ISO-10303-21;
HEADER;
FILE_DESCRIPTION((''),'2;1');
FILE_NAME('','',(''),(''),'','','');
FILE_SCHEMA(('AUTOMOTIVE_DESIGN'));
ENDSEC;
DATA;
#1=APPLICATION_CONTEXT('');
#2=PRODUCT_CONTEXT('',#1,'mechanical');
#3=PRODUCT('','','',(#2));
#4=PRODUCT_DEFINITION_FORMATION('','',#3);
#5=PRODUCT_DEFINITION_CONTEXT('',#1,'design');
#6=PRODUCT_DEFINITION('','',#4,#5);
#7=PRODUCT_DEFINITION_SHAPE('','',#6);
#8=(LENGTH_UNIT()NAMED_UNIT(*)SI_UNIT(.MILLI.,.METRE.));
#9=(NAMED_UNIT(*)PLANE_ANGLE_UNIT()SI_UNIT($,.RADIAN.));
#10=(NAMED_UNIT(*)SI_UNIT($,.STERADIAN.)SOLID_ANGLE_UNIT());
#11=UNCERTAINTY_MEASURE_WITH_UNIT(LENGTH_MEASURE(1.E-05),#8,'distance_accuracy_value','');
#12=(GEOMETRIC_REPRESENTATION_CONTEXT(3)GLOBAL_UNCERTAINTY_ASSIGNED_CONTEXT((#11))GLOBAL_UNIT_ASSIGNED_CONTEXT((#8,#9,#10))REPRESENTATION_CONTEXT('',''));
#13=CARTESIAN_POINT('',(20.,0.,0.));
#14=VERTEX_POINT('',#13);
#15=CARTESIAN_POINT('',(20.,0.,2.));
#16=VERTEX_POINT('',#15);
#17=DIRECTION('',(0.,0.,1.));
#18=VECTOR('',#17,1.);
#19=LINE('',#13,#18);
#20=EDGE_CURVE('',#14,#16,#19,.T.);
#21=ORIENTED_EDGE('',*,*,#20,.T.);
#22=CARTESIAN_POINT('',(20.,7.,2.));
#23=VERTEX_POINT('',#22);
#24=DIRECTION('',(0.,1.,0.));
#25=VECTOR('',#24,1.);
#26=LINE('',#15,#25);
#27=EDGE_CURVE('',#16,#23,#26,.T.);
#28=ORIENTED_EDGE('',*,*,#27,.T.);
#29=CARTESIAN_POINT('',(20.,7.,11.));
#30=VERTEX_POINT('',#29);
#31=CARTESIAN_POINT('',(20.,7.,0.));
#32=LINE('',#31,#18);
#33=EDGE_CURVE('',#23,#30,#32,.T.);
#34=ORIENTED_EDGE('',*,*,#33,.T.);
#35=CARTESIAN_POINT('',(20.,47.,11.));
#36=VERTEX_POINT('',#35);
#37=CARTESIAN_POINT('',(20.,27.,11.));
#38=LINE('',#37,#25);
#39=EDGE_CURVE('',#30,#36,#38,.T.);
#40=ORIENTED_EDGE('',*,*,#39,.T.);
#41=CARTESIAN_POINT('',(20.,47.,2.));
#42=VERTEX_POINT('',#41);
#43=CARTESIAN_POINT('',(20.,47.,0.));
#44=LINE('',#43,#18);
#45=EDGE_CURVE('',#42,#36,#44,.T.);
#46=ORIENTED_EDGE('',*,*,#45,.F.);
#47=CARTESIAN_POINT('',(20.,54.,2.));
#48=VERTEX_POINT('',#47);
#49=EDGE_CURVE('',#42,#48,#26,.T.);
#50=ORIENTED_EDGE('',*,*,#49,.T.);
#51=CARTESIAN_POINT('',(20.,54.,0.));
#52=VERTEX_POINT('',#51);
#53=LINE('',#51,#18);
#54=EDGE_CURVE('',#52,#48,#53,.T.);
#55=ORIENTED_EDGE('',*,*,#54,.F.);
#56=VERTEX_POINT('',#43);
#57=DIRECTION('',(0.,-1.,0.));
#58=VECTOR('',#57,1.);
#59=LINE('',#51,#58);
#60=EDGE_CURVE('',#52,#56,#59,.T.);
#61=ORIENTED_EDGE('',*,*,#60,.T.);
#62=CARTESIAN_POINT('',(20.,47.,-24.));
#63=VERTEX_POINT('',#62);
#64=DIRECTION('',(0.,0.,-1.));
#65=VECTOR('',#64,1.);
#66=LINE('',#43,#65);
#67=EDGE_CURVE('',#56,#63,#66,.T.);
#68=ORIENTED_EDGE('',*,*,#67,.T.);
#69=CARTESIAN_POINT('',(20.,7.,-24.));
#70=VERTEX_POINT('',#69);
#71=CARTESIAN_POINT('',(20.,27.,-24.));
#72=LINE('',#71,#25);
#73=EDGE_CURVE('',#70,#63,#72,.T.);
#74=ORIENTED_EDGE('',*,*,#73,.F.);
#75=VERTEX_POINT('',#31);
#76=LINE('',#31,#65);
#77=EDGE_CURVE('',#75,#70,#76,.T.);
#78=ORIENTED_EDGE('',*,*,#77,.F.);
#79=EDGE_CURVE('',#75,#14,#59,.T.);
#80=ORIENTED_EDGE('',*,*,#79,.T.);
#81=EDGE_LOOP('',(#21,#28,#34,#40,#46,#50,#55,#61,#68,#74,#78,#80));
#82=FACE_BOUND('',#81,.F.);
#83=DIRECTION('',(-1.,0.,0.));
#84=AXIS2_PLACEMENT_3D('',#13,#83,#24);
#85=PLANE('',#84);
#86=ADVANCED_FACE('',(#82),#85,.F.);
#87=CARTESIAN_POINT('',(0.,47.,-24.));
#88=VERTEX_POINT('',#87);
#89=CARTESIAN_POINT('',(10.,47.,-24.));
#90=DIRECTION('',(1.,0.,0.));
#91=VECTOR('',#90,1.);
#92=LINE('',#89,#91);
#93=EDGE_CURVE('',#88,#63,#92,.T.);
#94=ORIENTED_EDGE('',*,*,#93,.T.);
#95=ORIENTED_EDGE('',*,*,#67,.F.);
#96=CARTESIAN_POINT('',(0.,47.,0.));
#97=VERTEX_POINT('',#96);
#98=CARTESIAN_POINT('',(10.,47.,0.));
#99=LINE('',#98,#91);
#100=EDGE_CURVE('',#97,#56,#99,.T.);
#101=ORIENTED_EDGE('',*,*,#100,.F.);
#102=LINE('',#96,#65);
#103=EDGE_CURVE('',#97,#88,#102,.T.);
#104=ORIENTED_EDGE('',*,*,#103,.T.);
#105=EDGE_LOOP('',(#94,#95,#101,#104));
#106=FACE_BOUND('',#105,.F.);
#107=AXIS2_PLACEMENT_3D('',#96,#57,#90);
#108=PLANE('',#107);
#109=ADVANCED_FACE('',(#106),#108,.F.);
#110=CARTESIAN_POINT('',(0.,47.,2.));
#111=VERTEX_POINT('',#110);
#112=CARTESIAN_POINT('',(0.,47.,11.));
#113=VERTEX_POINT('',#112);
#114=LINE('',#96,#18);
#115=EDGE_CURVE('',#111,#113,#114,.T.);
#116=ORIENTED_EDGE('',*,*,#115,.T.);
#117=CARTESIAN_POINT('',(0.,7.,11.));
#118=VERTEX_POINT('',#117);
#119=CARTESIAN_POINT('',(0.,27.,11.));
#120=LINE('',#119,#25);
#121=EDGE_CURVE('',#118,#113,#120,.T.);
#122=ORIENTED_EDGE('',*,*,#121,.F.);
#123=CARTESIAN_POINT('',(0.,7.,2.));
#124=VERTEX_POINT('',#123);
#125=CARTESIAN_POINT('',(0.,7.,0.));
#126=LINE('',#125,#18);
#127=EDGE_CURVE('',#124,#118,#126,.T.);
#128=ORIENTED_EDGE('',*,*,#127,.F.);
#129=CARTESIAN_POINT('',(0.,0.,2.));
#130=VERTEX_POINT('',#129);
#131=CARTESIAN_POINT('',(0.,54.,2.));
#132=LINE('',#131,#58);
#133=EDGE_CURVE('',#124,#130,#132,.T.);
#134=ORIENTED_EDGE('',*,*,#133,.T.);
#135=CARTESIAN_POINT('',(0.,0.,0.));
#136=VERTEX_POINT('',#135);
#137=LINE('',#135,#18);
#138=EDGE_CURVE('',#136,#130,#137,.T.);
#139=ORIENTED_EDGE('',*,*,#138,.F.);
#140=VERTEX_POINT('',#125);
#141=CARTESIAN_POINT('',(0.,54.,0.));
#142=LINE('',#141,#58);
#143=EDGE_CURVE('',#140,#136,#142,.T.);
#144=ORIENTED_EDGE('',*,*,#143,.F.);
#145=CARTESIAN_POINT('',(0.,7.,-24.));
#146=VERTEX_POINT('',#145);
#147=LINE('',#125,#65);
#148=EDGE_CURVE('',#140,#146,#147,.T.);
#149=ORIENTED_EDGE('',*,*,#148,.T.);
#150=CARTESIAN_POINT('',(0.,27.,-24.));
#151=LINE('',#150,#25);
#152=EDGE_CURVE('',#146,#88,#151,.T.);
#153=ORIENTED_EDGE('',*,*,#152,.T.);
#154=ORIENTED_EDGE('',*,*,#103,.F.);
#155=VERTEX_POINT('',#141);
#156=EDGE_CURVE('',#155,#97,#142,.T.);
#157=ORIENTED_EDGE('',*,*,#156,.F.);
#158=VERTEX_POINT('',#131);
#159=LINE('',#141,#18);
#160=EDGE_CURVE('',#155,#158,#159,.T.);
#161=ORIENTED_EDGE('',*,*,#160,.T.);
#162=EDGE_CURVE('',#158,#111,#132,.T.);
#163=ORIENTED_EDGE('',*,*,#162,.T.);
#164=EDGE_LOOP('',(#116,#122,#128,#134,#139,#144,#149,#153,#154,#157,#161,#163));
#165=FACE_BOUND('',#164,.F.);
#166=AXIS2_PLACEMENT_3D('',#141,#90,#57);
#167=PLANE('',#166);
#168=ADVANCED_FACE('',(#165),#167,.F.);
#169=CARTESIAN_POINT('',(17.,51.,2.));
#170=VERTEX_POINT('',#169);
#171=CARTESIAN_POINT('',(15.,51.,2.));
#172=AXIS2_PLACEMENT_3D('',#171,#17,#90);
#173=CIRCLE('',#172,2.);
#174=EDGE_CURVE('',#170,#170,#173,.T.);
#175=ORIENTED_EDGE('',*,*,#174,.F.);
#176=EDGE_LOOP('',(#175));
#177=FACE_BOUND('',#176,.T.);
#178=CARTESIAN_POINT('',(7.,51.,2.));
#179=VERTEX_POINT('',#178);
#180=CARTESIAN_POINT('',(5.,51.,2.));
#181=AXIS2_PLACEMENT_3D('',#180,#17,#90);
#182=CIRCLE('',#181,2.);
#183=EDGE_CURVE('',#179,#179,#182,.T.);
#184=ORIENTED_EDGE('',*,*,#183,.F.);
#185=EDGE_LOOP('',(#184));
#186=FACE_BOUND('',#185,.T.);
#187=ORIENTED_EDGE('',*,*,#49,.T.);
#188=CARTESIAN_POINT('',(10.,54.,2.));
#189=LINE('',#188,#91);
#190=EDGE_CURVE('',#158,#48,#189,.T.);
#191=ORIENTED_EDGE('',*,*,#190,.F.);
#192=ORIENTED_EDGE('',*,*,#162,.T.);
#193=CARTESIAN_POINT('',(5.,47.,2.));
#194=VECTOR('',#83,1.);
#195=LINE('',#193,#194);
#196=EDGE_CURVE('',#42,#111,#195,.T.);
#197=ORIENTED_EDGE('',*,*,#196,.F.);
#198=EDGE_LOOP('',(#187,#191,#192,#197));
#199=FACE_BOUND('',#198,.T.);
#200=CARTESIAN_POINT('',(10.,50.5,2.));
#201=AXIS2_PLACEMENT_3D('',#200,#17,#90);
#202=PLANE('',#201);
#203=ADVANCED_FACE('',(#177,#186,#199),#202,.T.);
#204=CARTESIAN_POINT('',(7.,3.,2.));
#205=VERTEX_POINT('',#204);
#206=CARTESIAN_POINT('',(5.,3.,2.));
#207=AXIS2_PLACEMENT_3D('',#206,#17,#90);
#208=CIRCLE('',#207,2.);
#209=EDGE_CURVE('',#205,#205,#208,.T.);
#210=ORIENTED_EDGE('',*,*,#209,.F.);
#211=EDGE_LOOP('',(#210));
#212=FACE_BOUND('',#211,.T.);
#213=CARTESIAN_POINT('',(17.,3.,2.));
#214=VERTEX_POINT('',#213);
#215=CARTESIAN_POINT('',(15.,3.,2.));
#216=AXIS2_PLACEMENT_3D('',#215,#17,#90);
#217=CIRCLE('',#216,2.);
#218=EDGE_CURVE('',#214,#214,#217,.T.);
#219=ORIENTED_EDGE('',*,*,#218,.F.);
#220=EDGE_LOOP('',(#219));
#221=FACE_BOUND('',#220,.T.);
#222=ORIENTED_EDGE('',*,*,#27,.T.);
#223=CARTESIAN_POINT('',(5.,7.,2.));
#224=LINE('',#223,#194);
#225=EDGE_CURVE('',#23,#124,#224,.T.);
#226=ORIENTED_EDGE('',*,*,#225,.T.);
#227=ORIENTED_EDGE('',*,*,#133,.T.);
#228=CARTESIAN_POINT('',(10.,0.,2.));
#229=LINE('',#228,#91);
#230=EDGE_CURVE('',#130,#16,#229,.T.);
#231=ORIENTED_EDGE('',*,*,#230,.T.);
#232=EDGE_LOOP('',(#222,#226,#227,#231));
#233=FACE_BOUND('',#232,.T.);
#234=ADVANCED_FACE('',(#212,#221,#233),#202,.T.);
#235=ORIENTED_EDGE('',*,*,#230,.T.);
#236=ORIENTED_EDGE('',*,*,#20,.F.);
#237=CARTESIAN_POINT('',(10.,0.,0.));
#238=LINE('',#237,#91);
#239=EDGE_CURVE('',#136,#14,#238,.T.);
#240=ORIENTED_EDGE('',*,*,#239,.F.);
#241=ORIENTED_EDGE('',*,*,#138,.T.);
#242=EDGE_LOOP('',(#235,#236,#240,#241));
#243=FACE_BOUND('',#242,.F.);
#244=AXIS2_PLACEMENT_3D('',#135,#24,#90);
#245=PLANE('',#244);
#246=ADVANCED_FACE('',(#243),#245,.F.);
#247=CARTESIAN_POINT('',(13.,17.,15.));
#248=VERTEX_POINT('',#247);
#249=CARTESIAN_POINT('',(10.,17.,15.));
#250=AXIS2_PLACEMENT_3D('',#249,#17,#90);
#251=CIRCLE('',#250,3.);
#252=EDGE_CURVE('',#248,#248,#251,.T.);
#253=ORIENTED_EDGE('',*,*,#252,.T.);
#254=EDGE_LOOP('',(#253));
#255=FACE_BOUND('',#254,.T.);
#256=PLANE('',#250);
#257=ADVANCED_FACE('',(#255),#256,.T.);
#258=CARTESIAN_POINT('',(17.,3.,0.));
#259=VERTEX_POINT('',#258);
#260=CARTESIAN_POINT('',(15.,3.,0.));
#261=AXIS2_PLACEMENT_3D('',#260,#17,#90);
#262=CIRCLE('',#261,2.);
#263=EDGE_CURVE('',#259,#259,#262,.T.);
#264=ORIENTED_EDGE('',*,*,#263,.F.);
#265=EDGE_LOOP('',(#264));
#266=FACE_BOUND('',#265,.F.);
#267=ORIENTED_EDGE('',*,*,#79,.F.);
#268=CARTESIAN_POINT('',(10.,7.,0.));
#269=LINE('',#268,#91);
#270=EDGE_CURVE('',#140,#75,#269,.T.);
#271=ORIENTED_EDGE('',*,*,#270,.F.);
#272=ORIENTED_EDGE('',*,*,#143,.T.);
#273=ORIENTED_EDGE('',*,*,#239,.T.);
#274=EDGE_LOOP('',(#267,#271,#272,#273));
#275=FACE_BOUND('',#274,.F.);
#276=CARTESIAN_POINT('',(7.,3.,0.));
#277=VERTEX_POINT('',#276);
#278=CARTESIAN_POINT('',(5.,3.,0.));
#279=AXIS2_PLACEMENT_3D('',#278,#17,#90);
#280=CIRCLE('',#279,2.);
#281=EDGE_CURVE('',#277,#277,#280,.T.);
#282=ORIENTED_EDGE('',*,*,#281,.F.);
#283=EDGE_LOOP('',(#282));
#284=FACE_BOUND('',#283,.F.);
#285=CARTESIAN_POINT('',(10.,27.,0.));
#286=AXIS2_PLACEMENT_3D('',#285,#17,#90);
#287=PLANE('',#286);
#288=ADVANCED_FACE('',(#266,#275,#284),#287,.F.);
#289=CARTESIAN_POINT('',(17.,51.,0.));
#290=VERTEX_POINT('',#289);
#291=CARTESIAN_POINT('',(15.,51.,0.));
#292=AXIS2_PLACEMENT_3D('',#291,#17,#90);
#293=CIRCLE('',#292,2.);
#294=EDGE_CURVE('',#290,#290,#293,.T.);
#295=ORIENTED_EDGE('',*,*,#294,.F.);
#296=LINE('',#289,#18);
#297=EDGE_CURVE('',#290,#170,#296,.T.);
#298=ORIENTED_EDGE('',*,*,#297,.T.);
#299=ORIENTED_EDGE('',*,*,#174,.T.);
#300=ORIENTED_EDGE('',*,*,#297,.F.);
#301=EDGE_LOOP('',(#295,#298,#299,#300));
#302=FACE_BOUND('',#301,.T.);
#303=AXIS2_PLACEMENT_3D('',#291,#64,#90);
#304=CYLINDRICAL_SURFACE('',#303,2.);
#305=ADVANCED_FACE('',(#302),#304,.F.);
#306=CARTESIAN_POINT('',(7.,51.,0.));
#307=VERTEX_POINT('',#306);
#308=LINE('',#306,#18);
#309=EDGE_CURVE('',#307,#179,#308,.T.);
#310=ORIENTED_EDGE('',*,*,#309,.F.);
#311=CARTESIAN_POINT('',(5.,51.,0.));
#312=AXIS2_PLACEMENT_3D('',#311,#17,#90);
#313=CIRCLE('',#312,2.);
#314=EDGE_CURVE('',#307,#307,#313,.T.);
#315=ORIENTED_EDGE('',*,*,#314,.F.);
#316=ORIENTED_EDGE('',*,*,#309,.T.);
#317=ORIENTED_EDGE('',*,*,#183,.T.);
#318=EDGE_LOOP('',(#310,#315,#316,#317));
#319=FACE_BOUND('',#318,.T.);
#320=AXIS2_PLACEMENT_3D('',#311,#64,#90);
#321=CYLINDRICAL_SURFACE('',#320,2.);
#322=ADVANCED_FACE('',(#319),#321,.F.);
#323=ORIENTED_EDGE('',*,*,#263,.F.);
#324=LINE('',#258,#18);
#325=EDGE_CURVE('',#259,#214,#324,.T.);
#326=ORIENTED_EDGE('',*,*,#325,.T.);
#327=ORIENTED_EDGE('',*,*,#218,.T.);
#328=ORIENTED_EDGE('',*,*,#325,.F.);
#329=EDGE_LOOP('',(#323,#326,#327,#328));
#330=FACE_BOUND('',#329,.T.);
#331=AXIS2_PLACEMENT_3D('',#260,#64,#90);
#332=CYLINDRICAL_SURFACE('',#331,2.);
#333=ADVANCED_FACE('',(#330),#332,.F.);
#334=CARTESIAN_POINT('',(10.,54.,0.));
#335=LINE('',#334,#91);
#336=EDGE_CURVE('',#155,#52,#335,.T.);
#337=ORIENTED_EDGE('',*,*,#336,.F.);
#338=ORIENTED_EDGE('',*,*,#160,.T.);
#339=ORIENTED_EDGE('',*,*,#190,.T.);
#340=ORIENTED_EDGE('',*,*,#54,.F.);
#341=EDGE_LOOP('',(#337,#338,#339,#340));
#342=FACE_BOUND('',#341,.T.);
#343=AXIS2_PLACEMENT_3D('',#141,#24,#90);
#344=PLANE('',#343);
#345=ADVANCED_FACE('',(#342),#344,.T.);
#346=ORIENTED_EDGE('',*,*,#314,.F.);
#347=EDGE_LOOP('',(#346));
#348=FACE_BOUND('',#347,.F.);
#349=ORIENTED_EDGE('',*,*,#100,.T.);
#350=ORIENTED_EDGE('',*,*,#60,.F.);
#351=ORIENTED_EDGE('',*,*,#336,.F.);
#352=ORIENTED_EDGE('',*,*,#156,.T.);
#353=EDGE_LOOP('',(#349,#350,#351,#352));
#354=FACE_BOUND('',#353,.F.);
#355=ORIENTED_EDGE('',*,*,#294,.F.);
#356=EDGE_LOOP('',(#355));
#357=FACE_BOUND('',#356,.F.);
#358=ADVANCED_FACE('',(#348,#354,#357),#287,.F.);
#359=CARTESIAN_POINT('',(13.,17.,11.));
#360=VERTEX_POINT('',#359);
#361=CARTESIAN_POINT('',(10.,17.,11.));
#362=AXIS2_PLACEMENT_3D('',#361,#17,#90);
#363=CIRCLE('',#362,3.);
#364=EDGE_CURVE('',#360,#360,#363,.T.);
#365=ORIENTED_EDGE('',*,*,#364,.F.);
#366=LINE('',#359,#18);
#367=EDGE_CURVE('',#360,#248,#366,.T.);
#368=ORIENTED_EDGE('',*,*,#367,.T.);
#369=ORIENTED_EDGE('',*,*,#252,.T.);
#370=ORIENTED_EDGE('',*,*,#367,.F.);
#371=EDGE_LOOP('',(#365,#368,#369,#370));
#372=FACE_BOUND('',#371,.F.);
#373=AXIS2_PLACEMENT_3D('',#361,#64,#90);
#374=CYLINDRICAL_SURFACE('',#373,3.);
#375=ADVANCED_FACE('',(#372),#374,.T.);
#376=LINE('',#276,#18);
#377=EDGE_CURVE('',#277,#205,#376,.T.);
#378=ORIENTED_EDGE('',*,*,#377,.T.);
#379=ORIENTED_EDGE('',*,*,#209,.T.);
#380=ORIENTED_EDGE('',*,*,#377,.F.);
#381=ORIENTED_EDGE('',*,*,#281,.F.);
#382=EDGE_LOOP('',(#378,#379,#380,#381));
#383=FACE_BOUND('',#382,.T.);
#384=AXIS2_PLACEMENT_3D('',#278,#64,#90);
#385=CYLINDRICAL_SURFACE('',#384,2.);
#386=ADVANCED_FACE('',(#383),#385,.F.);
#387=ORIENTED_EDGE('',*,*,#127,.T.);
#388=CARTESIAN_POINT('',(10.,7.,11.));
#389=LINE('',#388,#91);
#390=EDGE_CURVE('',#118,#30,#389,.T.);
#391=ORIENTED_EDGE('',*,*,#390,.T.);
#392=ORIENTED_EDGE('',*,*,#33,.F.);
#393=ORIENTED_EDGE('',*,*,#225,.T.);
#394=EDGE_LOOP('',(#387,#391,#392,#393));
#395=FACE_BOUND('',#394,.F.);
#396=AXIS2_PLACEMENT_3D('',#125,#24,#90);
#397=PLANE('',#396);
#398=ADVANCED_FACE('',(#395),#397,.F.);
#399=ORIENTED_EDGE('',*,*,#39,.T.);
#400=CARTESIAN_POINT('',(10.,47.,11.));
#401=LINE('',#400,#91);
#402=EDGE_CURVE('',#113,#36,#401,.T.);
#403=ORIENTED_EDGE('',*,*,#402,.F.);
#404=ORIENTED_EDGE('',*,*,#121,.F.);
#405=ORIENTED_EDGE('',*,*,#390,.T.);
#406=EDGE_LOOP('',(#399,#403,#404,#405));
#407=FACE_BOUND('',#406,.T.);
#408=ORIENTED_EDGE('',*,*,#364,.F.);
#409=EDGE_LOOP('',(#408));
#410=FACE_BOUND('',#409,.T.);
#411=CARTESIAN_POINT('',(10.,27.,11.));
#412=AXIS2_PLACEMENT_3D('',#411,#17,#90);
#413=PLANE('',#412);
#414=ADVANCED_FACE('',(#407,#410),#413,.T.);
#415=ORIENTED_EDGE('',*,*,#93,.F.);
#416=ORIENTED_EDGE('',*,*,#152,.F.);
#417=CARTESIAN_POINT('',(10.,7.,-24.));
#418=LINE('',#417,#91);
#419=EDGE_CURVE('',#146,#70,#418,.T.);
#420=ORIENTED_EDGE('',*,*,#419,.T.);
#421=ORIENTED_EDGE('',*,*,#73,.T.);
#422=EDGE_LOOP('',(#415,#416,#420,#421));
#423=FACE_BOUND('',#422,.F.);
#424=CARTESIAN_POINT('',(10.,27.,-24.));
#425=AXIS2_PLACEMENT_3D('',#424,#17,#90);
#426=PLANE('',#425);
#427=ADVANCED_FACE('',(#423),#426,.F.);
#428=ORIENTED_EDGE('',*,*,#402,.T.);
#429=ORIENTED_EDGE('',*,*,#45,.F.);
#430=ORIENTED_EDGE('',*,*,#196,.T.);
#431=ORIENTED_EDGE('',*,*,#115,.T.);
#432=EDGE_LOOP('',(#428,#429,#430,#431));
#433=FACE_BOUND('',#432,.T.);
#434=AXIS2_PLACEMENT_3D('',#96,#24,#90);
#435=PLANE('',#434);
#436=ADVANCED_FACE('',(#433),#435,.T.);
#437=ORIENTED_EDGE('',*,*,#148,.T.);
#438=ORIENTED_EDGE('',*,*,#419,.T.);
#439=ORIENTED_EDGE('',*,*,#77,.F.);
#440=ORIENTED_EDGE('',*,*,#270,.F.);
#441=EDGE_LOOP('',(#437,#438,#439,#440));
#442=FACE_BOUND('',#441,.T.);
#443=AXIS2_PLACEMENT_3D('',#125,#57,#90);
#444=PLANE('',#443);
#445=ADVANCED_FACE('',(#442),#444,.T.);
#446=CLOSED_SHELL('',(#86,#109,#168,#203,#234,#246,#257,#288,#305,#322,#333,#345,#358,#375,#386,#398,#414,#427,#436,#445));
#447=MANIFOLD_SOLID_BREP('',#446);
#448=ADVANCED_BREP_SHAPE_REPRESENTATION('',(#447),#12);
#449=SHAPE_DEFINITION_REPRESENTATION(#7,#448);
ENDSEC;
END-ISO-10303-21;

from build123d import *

# Parameters (mm, degrees)
F0_W     = 20
F0_H     = 7
F0_R     = 2
F0_H_2   = 40
F1_DEPTH = 2
F2_DEPTH = 11
F3_DEPTH = 24
F4_R     = 3
F5_DEPTH = 4


with BuildPart() as f1:
    # F0 (on Top) → F1 (new body)
    with BuildSketch(Plane.XY):
        with Locations((10, 50.5)):
            Rectangle(F0_W, F0_H)
        with Locations((5, 51)):
            Circle(F0_R, mode=Mode.SUBTRACT)
        with Locations((15, 51)):
            Circle(F0_R, mode=Mode.SUBTRACT)
        with Locations((10, 27)):
            Rectangle(F0_W, F0_H_2)
        with Locations((10, 3.5)):
            Rectangle(F0_W, F0_H)
        with Locations((5, 3)):
            Circle(F0_R, mode=Mode.SUBTRACT)
        with Locations((15, 3)):
            Circle(F0_R, mode=Mode.SUBTRACT)
    extrude(amount=F1_DEPTH)

    # F0 (on Top) → F2 (join)
    with BuildSketch(Plane.XY):
        with Locations((10, 27)):
            Rectangle(F0_W, F0_H_2)
    extrude(amount=F2_DEPTH)

    # F0 (on Top) → F3 (join)
    with BuildSketch(Plane.XY):
        with Locations((10, 27)):
            Rectangle(F0_W, F0_H_2)
    extrude(amount=-F3_DEPTH)

    # F4 (on face) → F5 (join)
    with BuildSketch(Plane.XY.offset(11)):
        with Locations((10, 17)):
            Circle(F4_R)
    extrude(amount=F5_DEPTH)


solid = f1.part
